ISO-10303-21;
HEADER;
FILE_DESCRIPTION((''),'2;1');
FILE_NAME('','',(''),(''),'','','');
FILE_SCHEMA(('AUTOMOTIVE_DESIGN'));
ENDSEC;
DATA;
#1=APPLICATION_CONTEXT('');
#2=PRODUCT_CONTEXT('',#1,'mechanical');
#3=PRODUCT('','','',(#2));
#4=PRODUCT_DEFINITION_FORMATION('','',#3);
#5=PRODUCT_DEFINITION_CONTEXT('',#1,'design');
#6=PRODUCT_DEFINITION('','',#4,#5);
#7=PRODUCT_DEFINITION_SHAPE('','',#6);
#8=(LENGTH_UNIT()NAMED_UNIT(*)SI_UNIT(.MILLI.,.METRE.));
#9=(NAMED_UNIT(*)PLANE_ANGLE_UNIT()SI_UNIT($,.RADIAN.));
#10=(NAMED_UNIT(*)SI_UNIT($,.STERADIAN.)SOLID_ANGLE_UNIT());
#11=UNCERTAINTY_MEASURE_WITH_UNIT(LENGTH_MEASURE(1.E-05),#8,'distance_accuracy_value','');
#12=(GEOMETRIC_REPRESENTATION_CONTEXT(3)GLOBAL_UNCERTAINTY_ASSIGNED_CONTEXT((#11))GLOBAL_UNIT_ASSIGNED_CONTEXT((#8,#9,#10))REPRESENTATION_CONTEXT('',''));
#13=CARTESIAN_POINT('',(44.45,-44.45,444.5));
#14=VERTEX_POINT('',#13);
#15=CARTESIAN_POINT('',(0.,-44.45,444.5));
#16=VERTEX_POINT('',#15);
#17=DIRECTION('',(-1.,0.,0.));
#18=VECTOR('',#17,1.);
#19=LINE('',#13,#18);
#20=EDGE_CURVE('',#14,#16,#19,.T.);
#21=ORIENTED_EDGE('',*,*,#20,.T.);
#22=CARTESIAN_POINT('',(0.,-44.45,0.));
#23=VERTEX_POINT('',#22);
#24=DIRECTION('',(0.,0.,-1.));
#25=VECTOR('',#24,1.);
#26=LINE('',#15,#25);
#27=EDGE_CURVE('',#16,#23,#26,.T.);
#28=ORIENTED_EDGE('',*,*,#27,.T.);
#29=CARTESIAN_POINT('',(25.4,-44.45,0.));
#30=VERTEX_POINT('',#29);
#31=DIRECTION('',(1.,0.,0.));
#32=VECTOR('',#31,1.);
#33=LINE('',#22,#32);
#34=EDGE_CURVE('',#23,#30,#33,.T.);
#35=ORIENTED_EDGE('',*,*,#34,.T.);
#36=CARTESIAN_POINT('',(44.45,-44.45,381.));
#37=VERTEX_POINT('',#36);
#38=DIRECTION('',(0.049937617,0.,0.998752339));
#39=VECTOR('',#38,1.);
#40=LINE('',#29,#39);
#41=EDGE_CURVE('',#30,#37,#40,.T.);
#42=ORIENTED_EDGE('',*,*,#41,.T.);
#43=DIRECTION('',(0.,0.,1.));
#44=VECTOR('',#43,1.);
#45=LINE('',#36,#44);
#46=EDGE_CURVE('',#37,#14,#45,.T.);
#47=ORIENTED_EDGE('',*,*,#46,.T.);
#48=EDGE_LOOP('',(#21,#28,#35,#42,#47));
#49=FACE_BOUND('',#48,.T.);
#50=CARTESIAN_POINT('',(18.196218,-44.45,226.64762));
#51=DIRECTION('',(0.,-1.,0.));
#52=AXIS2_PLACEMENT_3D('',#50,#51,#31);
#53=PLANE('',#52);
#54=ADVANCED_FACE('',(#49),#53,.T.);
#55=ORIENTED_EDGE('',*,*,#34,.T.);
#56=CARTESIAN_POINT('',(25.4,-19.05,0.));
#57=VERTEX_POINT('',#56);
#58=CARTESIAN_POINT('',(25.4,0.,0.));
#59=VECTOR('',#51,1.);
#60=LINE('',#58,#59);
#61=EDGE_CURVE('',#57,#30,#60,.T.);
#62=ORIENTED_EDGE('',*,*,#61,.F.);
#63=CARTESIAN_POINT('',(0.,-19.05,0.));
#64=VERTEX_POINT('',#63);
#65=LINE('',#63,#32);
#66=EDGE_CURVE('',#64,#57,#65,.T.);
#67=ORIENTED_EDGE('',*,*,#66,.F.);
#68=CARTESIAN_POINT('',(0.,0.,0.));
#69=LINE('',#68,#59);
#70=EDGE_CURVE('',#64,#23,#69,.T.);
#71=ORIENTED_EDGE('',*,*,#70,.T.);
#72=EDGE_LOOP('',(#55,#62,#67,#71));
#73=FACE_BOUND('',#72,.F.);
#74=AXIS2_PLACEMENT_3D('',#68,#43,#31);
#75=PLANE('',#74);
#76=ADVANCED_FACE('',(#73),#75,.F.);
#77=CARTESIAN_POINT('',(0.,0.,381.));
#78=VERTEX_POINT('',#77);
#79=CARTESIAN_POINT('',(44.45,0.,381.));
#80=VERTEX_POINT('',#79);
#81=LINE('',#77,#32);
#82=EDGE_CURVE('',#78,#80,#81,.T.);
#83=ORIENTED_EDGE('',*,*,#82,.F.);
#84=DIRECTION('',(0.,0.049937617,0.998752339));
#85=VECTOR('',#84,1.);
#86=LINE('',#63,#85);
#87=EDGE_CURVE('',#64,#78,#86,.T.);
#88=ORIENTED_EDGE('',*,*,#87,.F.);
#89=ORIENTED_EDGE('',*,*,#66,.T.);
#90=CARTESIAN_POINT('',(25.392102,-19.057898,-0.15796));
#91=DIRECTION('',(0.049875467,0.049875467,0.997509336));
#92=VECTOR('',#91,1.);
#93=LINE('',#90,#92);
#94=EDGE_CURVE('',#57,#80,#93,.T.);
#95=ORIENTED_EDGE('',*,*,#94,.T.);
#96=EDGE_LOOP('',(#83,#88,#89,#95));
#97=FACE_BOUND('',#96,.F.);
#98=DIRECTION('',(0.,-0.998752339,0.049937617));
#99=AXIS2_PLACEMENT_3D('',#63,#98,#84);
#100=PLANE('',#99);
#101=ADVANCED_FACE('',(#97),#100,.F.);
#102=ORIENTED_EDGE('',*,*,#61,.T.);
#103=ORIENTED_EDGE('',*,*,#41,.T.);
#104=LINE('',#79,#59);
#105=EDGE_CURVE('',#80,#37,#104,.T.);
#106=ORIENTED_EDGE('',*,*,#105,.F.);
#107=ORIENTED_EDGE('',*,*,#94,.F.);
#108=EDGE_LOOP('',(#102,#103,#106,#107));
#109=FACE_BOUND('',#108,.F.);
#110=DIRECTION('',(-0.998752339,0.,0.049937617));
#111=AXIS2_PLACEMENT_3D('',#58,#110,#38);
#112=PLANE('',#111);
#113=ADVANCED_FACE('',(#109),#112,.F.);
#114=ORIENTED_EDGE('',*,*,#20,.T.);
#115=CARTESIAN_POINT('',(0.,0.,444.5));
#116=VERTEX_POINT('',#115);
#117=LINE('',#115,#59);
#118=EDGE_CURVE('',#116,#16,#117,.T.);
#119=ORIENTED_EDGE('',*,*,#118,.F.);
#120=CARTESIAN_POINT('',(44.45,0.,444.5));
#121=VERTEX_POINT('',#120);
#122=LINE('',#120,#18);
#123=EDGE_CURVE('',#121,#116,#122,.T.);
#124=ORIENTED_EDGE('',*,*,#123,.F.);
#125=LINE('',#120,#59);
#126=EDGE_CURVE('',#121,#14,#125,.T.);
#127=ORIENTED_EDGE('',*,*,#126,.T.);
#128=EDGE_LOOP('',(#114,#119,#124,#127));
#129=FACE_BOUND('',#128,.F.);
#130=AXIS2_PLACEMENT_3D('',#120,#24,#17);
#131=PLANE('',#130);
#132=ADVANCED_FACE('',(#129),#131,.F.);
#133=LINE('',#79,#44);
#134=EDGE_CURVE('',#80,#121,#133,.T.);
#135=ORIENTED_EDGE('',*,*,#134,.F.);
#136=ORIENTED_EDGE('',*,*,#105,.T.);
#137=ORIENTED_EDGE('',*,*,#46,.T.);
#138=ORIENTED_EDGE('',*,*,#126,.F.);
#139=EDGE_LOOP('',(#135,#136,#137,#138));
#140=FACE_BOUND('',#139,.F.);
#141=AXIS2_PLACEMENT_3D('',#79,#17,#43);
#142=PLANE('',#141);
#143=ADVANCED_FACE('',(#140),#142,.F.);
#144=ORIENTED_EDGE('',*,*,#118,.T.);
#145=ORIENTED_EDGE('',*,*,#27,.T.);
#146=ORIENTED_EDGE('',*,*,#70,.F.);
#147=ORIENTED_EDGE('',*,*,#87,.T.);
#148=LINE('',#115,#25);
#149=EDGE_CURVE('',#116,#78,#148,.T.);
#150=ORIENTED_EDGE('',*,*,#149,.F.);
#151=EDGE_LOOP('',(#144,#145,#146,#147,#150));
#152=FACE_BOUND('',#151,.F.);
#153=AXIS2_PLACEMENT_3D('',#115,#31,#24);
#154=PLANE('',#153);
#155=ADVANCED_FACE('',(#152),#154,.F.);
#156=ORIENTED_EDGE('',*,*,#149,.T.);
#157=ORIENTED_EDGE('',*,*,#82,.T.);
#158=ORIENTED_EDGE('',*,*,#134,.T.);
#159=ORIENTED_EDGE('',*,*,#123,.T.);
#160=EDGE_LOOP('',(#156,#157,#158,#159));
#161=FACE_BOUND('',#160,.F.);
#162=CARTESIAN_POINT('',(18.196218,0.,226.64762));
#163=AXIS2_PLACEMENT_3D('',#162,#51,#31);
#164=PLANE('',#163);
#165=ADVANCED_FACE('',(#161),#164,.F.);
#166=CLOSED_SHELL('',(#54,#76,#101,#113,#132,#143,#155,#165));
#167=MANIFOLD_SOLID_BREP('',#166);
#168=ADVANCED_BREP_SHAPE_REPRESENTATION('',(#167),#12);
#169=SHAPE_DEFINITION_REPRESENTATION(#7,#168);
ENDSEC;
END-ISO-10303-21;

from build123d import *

# Parameters (mm, degrees)
F1_DEPTH = 44.45
F3_DEPTH = 44.451


with BuildPart() as f1:
    # F0 (on Front) → F1 (new body)
    with BuildSketch(Plane.XZ):
        Polygon((0, 444.5), (0, 0), (25.4, 0), (44.45, 381), (44.45, 444.5), align=None)
    extrude(amount=F1_DEPTH)

    # F2 (on face) → F3 (cut, through all)
    with BuildSketch(Plane(origin=(0, 0, 0), x_dir=(0, -1, 0), z_dir=(-1, 0, 0))):
        Polygon((0, 381), (0, 0), (19.05, 0), align=None)
    extrude(amount=-F3_DEPTH, mode=Mode.SUBTRACT)


solid = f1.part
